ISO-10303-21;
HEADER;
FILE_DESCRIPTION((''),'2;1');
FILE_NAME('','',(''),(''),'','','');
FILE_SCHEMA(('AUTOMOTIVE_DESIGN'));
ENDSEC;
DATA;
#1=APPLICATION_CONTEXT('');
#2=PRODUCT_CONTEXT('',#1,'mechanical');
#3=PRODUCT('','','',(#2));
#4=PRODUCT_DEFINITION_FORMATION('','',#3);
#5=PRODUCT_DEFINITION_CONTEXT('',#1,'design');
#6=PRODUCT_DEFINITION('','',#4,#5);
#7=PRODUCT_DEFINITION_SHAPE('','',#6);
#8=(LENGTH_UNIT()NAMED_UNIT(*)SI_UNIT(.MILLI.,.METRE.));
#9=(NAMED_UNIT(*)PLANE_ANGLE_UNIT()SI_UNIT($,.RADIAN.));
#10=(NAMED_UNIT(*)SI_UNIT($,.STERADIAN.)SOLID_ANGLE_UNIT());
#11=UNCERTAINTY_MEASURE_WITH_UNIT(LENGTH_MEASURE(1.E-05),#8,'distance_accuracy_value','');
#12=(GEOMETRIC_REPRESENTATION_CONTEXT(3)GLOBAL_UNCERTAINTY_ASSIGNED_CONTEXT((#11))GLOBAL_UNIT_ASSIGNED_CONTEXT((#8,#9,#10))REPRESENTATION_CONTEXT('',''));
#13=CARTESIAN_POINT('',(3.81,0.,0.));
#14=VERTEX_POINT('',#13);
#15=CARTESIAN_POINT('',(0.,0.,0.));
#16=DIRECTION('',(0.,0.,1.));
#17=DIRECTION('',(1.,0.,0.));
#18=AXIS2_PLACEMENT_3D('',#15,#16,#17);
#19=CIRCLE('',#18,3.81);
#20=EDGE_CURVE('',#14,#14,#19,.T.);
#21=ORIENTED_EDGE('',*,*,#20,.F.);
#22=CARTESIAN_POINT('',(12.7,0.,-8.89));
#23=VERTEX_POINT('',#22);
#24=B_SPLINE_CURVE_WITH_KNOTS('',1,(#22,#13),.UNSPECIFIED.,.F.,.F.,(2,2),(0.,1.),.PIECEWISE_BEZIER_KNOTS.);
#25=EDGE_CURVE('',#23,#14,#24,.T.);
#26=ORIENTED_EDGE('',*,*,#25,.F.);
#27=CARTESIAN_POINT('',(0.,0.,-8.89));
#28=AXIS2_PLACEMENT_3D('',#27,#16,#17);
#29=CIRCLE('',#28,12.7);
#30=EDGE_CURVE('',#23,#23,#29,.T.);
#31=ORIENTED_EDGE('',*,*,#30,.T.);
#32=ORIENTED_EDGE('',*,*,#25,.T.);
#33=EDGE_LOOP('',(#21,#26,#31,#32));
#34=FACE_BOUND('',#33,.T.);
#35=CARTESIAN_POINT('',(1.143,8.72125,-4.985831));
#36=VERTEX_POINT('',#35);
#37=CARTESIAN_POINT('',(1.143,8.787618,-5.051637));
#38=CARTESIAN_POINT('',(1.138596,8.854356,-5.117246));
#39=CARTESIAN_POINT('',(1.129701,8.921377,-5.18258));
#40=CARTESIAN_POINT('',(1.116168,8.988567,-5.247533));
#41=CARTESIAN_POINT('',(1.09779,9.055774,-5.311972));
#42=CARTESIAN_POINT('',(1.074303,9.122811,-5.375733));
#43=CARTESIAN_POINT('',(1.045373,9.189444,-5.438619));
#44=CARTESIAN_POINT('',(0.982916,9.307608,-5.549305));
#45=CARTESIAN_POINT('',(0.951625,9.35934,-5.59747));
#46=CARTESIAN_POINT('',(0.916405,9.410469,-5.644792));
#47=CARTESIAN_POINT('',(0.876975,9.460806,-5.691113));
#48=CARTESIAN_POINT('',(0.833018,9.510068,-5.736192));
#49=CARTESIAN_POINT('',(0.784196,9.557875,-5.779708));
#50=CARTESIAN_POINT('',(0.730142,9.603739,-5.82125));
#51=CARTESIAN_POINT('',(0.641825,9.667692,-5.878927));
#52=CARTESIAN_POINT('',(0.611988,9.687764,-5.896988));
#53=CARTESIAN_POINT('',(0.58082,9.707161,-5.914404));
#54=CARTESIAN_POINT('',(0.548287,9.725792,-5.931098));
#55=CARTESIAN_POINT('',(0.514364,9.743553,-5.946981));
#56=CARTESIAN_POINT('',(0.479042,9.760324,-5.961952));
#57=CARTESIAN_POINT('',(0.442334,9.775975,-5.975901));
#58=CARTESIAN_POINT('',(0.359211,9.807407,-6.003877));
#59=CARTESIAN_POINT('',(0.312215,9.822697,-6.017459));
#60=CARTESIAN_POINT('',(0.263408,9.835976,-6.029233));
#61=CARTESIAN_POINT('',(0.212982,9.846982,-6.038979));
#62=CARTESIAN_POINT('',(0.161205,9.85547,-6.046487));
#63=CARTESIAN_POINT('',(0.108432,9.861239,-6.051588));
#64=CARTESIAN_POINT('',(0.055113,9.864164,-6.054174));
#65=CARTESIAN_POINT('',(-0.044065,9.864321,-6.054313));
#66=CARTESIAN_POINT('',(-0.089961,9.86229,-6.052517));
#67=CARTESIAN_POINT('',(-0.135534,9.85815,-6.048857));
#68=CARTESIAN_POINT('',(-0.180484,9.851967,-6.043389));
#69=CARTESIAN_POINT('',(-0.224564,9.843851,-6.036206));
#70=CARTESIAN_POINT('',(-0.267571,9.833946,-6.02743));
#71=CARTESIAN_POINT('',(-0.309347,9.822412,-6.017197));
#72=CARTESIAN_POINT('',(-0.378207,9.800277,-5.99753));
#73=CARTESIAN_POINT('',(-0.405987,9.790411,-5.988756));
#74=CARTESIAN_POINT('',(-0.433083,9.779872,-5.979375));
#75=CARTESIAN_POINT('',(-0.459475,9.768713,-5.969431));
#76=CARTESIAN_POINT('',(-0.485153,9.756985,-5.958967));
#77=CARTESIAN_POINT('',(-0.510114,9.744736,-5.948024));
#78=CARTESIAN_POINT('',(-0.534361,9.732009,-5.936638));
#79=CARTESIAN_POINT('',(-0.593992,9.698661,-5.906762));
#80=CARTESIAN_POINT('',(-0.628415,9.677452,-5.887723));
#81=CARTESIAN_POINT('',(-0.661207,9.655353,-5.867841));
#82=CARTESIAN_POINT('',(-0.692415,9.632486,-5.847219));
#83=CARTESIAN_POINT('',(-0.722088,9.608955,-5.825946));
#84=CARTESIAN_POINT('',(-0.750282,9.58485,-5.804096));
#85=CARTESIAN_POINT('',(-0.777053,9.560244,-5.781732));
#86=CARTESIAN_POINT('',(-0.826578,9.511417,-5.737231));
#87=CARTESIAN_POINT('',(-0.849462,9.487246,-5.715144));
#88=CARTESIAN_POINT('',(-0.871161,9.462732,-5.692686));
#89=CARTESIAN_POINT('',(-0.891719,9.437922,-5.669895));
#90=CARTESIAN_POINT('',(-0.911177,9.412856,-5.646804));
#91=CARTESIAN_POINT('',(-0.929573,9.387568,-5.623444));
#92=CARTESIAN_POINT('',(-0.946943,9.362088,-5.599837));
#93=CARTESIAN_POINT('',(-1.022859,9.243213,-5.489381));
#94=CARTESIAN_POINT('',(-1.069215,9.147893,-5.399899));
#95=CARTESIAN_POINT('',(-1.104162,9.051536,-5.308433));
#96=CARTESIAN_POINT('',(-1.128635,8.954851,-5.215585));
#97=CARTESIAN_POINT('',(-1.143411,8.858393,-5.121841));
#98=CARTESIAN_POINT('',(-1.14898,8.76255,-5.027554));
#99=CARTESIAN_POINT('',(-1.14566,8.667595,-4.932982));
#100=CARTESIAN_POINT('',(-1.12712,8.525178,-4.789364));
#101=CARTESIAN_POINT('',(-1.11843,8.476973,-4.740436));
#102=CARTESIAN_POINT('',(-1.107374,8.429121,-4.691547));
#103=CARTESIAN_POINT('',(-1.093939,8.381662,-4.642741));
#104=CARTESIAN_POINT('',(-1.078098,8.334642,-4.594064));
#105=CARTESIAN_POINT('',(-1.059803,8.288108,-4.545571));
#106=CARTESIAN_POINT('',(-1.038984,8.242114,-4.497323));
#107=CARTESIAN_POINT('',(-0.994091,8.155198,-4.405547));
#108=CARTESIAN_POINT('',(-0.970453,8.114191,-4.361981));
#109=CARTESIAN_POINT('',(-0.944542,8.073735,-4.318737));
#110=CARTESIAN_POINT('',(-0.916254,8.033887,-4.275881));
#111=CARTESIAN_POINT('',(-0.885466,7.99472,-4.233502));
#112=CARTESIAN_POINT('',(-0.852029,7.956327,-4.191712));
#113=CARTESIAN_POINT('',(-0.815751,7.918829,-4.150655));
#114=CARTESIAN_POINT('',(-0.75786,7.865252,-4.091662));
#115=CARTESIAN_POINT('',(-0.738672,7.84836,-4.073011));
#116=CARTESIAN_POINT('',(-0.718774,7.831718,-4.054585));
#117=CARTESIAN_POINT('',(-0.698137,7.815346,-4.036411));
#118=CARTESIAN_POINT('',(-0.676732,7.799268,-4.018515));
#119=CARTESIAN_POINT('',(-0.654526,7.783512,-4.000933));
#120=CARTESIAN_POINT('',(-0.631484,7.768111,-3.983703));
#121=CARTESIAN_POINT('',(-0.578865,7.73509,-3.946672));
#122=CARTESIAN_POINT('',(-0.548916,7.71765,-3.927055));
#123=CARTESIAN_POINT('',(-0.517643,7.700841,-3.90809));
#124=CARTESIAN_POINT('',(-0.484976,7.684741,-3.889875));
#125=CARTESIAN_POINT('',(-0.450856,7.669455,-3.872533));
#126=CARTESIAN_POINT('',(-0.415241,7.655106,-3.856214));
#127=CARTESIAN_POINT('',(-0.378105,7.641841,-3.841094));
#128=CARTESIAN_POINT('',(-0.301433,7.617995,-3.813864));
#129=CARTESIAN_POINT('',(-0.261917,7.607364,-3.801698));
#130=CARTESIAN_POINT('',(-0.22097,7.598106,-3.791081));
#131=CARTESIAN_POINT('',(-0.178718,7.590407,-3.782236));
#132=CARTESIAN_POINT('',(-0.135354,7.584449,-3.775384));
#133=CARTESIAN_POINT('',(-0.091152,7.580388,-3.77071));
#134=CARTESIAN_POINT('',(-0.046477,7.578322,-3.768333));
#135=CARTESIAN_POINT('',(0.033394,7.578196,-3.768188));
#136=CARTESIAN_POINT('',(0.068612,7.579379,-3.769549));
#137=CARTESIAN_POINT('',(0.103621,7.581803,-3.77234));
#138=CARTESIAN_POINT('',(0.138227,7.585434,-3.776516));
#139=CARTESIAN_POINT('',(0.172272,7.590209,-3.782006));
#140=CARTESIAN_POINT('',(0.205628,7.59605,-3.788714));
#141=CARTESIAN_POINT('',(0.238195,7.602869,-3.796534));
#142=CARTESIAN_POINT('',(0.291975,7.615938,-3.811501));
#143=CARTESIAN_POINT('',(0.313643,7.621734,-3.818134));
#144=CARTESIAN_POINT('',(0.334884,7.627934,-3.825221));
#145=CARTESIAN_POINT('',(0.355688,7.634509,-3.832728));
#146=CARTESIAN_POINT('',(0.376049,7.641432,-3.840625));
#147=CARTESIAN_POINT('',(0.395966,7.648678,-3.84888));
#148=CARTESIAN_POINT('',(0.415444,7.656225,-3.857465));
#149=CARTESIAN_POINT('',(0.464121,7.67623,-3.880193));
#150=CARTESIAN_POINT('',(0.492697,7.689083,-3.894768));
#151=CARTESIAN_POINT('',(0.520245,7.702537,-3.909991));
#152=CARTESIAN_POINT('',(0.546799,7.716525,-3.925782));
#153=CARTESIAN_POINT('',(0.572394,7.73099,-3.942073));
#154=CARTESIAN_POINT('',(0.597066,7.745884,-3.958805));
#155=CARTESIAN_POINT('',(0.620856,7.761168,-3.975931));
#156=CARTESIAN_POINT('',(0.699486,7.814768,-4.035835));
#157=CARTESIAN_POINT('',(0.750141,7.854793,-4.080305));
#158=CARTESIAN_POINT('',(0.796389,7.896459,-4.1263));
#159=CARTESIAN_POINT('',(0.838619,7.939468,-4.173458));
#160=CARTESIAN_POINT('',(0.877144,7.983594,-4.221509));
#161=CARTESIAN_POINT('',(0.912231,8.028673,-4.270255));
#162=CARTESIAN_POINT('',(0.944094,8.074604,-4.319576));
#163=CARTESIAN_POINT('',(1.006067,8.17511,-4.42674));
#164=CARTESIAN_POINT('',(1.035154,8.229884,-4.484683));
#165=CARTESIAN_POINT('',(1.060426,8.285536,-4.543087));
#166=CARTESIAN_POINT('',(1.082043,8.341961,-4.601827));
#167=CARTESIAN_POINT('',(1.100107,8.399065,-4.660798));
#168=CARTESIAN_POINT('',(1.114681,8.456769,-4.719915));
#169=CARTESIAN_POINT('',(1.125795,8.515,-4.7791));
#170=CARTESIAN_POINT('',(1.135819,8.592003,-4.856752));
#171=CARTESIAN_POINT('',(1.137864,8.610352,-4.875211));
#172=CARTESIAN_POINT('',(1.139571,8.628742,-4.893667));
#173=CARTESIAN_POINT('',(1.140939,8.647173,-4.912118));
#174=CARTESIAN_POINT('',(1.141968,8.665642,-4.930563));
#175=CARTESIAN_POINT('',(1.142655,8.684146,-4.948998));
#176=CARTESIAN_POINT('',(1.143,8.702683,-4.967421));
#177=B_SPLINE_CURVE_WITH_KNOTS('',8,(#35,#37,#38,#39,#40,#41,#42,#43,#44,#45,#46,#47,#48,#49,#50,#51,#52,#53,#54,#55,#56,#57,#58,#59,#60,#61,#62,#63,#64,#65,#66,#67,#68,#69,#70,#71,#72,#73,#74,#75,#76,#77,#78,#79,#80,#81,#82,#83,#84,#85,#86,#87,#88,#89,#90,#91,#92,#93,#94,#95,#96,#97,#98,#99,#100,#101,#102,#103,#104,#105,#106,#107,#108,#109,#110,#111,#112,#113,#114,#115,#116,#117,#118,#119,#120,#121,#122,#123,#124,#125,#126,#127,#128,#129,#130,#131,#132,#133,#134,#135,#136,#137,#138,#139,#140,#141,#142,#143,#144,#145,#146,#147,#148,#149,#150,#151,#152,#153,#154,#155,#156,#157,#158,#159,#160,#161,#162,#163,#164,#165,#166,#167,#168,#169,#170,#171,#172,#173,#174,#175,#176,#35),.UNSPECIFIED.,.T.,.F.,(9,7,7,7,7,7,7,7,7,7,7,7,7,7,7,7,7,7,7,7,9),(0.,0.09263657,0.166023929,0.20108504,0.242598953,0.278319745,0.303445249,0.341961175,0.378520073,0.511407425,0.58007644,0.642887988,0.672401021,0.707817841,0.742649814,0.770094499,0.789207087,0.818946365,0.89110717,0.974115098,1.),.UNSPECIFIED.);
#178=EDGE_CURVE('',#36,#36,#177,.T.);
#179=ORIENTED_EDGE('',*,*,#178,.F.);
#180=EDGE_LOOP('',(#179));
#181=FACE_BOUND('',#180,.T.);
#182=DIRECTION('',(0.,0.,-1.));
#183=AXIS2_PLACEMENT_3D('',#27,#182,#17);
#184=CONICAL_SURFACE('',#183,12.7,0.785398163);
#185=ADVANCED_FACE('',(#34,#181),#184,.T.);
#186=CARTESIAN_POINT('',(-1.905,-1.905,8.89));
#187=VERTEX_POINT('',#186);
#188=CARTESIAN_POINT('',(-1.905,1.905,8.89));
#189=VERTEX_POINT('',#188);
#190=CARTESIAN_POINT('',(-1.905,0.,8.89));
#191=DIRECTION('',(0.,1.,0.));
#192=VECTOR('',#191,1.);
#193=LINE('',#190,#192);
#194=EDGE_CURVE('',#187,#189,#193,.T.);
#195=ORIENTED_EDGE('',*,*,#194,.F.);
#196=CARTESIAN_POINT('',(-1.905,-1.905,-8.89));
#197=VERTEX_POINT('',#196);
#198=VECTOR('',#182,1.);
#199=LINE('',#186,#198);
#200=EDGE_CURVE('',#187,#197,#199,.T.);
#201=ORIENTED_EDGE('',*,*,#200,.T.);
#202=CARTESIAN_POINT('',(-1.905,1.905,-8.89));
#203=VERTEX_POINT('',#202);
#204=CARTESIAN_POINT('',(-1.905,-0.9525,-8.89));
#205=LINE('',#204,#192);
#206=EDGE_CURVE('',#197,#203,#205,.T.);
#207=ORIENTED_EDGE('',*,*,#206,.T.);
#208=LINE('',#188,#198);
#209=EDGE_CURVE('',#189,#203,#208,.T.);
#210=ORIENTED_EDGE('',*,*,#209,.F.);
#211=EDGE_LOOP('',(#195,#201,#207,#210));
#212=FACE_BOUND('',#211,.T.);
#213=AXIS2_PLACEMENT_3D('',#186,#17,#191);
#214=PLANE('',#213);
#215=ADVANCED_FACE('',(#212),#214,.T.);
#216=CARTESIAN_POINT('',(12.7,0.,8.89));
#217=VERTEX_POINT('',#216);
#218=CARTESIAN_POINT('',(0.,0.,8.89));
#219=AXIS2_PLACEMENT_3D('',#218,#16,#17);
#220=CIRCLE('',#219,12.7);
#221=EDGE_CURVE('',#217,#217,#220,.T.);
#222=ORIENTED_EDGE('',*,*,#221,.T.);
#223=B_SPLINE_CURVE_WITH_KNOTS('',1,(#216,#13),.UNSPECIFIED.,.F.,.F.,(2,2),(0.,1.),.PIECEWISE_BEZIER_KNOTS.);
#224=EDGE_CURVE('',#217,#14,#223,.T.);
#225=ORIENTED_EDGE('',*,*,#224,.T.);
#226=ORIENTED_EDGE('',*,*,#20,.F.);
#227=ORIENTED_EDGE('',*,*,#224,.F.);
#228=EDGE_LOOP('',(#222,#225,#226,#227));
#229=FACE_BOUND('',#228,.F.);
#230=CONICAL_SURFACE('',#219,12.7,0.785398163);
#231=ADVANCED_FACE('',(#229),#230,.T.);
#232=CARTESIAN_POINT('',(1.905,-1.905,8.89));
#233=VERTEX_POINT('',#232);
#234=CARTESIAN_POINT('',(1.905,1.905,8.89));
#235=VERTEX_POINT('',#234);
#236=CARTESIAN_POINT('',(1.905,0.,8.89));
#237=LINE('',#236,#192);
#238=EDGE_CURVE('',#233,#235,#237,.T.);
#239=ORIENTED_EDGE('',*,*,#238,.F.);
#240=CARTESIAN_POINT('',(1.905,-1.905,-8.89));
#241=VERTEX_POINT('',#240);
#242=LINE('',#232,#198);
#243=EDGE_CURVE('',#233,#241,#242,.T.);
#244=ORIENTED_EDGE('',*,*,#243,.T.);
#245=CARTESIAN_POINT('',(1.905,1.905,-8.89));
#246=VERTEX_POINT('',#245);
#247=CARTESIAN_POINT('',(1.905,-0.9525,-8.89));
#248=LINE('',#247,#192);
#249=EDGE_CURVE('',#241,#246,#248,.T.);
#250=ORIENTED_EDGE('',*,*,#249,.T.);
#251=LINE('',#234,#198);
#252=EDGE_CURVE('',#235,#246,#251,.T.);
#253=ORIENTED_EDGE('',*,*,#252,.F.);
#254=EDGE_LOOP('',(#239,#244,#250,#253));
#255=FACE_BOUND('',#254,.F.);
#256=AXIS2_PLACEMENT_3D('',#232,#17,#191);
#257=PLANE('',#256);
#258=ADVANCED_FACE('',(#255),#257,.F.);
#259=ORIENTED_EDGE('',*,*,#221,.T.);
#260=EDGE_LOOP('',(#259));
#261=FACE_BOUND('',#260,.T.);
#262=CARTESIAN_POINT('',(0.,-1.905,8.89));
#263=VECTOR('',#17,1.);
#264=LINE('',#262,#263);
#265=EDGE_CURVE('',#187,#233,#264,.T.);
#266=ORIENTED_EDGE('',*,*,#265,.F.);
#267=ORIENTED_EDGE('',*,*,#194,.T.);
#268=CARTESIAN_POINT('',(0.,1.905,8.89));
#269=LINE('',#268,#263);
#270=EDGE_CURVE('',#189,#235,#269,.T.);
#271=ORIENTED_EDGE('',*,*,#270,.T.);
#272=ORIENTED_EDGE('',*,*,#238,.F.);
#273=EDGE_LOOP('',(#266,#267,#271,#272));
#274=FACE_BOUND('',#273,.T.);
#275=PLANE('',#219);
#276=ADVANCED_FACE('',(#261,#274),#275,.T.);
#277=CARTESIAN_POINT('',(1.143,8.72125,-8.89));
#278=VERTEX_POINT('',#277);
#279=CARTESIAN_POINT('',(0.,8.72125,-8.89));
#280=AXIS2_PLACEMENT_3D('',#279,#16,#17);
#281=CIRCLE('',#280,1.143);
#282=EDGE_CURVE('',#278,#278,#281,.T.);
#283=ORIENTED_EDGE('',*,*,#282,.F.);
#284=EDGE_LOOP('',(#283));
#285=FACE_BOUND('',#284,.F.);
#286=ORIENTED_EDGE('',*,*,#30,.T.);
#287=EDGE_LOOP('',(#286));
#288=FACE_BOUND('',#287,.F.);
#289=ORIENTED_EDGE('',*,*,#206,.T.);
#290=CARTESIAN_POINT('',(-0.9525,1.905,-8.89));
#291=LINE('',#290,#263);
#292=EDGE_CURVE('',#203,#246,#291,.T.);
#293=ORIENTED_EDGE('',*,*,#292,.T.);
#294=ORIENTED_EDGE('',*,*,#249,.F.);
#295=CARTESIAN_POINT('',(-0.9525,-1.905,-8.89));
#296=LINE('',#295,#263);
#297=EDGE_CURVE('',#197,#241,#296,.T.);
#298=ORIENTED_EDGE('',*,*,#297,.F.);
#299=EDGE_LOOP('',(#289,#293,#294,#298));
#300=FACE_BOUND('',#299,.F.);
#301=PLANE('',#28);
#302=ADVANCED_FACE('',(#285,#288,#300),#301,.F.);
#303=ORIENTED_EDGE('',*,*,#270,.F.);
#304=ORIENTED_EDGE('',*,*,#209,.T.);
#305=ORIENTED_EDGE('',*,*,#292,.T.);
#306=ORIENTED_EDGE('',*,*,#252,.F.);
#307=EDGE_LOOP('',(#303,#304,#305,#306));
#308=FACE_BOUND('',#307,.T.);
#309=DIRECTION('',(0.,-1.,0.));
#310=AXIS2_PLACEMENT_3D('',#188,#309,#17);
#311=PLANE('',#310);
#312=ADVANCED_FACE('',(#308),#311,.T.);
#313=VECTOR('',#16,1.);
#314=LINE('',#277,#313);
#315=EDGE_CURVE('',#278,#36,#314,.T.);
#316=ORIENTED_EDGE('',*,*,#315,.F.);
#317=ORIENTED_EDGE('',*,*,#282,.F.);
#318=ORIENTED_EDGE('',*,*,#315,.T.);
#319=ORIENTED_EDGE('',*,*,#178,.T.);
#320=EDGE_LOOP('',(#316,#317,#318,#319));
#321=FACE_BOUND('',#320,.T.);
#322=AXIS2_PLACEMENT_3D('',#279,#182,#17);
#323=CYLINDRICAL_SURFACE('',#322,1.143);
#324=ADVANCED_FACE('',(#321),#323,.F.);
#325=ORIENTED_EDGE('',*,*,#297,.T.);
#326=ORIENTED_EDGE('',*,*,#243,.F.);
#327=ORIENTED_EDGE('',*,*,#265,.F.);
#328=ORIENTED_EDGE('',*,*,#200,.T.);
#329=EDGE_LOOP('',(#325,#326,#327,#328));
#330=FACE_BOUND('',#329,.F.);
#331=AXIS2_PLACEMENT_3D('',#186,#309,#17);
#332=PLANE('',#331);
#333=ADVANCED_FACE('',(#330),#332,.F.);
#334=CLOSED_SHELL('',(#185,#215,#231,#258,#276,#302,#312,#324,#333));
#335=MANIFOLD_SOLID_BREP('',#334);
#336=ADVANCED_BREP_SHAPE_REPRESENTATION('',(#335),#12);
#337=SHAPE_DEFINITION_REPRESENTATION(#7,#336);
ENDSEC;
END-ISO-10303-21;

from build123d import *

# Parameters (mm, degrees)
F3_R      = 12.7
F4_R      = 3.81
F2_R      = 12.7
F7_W      = 3.81
F7_H      = 3.81
F8_DEPTH  = 25.4
F9_R      = 1.143
F10_DEPTH = 6.858


with BuildPart() as f5:
    # F3 (on offset) → F5 section 0
    with BuildSketch(Plane.XY.offset(-8.89)):
        Circle(F3_R)
    # F4 (on Top) → F5 section 1
    with BuildSketch(Plane.XY):
        Circle(F4_R)
    loft()

    # F2 (on offset) → F6 section 0
    with BuildSketch(Plane.XY.offset(8.89)):
        Circle(F2_R)
    # F4 (on Top) → F6 section 1
    with BuildSketch(Plane.XY):
        Circle(F4_R)
    loft()

    # F7 (on offset) → F8 (cut)
    with BuildSketch(Plane.XY.offset(8.89)):
        Rectangle(F7_W, F7_H)
    extrude(amount=-F8_DEPTH, mode=Mode.SUBTRACT)

    # F9 (on offset) → F10 (cut)
    with BuildSketch(Plane.XY.offset(-8.89)):
        with Locations((0, 8.72125)):
            Circle(F9_R)
    extrude(amount=F10_DEPTH, mode=Mode.SUBTRACT)


solid = f5.part
